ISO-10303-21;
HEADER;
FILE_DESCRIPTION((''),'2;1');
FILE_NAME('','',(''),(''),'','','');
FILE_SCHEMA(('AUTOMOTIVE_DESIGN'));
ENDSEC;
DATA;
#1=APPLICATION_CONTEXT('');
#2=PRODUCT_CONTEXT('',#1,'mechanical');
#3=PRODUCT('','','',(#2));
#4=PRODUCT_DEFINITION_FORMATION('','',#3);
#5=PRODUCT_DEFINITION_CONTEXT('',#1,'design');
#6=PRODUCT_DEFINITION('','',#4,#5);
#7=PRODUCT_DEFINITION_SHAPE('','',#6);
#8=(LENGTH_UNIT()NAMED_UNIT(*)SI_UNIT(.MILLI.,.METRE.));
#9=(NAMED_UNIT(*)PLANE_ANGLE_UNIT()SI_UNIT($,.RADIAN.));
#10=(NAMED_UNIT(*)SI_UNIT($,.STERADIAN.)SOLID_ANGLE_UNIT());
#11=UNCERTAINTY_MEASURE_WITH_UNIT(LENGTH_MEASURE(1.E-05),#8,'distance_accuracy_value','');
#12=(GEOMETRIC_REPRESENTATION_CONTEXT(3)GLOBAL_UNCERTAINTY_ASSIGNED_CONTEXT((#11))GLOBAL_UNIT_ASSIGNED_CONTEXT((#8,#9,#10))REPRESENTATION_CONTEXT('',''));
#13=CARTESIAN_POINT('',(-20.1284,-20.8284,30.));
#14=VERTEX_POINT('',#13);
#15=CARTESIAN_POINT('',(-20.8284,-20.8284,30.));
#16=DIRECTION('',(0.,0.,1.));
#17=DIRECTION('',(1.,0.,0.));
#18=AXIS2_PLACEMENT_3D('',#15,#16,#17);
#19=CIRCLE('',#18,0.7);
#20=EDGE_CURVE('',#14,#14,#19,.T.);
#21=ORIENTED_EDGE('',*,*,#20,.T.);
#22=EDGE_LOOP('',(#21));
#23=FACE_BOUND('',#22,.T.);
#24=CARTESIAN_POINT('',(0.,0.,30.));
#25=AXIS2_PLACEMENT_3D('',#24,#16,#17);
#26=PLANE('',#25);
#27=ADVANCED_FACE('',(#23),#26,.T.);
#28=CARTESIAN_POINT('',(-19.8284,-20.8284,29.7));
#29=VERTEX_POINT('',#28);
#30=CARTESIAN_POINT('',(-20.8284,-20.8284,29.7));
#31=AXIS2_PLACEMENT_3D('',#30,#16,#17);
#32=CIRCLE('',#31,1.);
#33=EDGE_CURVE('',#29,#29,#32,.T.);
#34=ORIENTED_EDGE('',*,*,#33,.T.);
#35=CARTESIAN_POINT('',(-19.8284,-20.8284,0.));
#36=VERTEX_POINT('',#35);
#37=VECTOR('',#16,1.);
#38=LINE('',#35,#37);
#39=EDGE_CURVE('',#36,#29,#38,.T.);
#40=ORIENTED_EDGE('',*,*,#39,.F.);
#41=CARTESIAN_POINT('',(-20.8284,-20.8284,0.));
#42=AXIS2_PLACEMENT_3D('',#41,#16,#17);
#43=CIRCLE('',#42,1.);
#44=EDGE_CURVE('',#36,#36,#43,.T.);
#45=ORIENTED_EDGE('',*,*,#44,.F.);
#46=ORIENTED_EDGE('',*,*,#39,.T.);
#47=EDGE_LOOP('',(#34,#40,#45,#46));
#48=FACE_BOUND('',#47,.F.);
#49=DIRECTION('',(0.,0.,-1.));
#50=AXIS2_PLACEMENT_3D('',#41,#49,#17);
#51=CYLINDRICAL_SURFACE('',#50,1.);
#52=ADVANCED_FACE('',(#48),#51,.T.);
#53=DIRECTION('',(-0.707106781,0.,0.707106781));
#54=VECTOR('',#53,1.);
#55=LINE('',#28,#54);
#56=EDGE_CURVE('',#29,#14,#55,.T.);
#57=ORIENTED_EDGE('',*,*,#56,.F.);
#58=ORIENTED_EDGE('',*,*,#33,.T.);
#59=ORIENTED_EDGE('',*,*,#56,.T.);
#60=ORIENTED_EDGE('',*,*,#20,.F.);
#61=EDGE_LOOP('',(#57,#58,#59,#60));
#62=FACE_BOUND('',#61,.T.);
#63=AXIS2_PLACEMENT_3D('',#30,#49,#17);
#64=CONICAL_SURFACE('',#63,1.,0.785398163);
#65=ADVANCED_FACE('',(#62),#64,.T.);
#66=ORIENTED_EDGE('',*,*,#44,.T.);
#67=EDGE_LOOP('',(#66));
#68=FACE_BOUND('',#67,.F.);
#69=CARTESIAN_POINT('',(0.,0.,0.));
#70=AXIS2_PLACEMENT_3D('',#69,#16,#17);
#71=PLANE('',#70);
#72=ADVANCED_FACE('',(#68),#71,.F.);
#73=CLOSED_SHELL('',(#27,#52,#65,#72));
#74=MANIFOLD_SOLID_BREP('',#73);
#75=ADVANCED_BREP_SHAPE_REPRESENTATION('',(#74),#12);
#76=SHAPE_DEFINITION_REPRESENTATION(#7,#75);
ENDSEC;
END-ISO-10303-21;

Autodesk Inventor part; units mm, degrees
ref_plane "YZ Plane" through (0, 0, 0) normal (1, 0, 0) x (0, 1, 0)
ref_plane "XZ Plane" through (0, 0, 0) normal (0, 1, 0) x (-1, 0, 0)
ref_plane "XY Plane" through (0, 0, 0) normal (0, 0, 1) x (1, 0, 0)
sketch "Sketch1" plane through (0, 0, 0) normal (0, 0, 1) x (1, 0, 0)
  circle A0 centre (-20.8284, -20.8284) radius 1 projected
  point P0 (0, 0)
extrude "Extrusion1" add sketch "Sketch1" along normal blind 30
chamfer "Chamfer1" distance 0.3 angle 45 1 edges at (-21.8284, -20.8284, 30)
properties part number "pin_2_40"
